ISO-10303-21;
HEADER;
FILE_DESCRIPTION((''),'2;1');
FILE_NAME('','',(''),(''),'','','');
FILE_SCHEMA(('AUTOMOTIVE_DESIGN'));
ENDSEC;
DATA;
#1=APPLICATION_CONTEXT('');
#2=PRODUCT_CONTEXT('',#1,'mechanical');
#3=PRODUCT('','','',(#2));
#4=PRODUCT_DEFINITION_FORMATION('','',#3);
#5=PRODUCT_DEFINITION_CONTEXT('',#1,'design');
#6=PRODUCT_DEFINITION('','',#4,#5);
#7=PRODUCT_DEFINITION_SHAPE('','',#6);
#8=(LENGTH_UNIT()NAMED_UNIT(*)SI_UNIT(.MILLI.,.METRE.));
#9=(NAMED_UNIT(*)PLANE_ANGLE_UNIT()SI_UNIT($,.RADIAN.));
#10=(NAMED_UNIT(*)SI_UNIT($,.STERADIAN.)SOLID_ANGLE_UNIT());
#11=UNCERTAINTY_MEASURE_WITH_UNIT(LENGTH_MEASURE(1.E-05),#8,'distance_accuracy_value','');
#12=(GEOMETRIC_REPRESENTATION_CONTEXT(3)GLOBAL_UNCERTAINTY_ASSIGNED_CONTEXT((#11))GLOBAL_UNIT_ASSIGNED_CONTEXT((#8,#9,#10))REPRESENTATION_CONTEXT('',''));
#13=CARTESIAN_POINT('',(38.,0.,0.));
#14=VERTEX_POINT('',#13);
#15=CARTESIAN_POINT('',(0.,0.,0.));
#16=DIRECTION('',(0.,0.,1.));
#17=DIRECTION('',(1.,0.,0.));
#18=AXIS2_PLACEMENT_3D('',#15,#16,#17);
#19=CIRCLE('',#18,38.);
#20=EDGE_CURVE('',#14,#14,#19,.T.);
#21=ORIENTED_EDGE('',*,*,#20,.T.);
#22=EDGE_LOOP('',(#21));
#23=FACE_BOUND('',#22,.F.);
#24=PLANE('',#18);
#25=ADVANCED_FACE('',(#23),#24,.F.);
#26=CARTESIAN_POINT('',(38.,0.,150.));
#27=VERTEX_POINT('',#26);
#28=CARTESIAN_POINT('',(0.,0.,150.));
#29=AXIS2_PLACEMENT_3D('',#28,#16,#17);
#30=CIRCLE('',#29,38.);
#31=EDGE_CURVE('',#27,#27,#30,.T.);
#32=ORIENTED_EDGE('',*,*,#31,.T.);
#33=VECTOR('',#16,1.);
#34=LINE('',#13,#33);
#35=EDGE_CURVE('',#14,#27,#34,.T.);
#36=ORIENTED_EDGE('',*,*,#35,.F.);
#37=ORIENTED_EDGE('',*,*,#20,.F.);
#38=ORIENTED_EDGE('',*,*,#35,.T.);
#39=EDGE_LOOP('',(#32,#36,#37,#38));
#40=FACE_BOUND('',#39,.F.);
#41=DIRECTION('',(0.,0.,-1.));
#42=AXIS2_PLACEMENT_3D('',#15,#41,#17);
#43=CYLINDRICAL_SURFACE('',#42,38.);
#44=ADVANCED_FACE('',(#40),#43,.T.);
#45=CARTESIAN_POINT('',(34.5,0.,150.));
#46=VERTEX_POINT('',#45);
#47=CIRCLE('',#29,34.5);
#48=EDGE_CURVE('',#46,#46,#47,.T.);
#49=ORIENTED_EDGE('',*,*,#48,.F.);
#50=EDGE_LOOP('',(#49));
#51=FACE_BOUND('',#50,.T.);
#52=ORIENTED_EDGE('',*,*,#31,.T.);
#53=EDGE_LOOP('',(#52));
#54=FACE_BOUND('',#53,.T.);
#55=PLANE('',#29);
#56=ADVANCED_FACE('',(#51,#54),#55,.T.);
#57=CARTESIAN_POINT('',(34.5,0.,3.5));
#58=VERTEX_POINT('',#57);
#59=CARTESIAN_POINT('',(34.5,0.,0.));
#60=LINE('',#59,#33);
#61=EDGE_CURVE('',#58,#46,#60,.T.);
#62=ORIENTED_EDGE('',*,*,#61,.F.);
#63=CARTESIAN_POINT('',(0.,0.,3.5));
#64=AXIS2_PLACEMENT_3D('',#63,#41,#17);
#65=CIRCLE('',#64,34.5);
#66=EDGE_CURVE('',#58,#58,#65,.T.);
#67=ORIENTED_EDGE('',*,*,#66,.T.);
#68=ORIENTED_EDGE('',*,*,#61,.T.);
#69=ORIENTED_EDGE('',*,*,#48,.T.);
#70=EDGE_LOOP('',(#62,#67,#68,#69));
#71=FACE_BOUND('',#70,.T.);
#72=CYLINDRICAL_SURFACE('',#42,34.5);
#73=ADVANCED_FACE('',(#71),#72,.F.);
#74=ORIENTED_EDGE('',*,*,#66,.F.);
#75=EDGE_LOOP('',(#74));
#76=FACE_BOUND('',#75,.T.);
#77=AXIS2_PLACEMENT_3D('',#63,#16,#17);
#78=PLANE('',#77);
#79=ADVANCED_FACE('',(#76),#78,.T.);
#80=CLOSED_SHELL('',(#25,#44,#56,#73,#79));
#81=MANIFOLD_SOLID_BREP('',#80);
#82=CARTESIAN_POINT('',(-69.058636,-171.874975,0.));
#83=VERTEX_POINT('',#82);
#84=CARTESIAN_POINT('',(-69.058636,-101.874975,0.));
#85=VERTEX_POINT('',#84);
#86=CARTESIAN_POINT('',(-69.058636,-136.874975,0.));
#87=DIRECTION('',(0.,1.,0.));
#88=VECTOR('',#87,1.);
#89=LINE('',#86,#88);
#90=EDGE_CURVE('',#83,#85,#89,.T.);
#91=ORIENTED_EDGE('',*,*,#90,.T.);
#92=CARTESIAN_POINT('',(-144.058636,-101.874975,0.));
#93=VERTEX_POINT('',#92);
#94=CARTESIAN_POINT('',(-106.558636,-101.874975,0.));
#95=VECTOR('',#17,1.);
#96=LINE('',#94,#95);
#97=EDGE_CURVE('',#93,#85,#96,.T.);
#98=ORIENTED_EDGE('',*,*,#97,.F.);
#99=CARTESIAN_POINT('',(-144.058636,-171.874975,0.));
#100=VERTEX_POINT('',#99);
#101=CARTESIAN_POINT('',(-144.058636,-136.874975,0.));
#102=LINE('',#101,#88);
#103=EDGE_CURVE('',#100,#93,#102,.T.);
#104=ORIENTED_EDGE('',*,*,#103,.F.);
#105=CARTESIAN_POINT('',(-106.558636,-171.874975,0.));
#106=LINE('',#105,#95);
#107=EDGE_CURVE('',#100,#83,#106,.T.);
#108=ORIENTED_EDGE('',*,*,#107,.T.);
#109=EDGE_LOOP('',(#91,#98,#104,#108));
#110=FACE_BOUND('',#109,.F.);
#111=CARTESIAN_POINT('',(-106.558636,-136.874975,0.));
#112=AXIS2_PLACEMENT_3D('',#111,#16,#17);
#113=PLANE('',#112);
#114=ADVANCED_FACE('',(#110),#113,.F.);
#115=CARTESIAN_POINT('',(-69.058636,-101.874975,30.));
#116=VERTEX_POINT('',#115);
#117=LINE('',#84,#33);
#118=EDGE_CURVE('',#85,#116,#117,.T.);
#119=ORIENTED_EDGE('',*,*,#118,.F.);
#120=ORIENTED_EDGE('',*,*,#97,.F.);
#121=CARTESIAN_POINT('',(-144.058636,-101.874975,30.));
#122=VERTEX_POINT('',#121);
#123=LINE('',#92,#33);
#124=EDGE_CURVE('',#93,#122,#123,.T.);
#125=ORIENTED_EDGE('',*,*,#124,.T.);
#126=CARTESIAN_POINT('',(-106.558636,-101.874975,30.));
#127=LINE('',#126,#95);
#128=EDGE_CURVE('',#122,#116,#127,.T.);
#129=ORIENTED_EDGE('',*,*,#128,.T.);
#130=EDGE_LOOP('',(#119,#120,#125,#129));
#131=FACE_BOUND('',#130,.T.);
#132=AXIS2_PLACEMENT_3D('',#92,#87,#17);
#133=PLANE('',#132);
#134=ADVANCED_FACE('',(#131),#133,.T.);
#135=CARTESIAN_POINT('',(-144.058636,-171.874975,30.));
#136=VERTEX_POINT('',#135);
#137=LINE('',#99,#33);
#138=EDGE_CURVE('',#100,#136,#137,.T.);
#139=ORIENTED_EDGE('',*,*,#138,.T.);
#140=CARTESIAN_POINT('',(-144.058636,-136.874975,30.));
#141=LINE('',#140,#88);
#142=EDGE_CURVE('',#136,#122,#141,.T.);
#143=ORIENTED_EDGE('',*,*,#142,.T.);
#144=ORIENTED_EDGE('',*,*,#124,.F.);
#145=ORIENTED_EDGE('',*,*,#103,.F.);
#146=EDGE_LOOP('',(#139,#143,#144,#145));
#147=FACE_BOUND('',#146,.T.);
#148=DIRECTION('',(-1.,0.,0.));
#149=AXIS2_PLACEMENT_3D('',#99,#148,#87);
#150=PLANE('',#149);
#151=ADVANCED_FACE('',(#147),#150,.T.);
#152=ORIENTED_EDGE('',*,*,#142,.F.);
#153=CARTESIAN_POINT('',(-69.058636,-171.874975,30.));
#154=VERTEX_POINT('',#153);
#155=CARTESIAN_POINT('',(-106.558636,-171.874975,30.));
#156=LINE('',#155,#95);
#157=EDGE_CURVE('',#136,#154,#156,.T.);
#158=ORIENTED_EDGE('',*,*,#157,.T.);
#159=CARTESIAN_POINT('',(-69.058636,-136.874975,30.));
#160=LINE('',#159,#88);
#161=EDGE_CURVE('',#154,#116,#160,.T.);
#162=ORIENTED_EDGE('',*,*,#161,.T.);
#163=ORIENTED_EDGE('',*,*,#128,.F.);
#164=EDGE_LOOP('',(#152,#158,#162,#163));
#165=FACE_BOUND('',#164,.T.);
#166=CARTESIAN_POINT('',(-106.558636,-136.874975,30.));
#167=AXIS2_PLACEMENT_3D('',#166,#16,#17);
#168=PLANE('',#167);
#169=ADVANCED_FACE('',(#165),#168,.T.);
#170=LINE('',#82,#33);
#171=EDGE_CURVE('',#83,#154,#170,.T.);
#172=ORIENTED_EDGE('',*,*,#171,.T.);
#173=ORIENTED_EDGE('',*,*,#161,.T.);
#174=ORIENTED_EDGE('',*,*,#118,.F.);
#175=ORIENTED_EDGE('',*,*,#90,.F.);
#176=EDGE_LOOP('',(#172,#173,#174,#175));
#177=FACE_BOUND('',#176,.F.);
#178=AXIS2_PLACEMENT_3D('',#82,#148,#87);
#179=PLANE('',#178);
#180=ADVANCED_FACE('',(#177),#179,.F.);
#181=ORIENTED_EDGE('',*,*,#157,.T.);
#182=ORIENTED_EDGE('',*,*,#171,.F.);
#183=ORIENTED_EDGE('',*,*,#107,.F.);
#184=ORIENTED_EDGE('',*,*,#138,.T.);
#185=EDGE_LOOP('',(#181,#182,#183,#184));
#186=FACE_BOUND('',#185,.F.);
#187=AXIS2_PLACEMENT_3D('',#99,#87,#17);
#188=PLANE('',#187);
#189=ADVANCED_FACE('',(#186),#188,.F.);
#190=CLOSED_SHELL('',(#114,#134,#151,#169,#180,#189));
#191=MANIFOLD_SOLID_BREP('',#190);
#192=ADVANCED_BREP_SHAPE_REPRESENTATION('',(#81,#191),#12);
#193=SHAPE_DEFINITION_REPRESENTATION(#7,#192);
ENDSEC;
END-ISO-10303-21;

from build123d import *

# Parameters (mm, degrees)
F0_R     = 38
F1_DEPTH = 150
F2_T     = -3.5
F3_W     = 75
F3_H     = 70
F4_DEPTH = 30


with BuildPart() as f1:
    # F0 (on Top) → F1 (new body)
    with BuildSketch(Plane.XY):
        Circle(F0_R)
    extrude(amount=F1_DEPTH)

    # F2
    f2_openings = [f1.faces().sort_by_distance(p)[0] for p in [
        (0, 0, 150),
    ]]
    offset(amount=F2_T, openings=f2_openings)


with BuildPart() as f4:
    # F3 (on Top) → F4 (new body)
    with BuildSketch(Plane.XY):
        with Locations((-106.558636, -136.874975)):
            Rectangle(F3_W, F3_H)
    extrude(amount=F4_DEPTH)


solid = Compound([f1.part, f4.part])
